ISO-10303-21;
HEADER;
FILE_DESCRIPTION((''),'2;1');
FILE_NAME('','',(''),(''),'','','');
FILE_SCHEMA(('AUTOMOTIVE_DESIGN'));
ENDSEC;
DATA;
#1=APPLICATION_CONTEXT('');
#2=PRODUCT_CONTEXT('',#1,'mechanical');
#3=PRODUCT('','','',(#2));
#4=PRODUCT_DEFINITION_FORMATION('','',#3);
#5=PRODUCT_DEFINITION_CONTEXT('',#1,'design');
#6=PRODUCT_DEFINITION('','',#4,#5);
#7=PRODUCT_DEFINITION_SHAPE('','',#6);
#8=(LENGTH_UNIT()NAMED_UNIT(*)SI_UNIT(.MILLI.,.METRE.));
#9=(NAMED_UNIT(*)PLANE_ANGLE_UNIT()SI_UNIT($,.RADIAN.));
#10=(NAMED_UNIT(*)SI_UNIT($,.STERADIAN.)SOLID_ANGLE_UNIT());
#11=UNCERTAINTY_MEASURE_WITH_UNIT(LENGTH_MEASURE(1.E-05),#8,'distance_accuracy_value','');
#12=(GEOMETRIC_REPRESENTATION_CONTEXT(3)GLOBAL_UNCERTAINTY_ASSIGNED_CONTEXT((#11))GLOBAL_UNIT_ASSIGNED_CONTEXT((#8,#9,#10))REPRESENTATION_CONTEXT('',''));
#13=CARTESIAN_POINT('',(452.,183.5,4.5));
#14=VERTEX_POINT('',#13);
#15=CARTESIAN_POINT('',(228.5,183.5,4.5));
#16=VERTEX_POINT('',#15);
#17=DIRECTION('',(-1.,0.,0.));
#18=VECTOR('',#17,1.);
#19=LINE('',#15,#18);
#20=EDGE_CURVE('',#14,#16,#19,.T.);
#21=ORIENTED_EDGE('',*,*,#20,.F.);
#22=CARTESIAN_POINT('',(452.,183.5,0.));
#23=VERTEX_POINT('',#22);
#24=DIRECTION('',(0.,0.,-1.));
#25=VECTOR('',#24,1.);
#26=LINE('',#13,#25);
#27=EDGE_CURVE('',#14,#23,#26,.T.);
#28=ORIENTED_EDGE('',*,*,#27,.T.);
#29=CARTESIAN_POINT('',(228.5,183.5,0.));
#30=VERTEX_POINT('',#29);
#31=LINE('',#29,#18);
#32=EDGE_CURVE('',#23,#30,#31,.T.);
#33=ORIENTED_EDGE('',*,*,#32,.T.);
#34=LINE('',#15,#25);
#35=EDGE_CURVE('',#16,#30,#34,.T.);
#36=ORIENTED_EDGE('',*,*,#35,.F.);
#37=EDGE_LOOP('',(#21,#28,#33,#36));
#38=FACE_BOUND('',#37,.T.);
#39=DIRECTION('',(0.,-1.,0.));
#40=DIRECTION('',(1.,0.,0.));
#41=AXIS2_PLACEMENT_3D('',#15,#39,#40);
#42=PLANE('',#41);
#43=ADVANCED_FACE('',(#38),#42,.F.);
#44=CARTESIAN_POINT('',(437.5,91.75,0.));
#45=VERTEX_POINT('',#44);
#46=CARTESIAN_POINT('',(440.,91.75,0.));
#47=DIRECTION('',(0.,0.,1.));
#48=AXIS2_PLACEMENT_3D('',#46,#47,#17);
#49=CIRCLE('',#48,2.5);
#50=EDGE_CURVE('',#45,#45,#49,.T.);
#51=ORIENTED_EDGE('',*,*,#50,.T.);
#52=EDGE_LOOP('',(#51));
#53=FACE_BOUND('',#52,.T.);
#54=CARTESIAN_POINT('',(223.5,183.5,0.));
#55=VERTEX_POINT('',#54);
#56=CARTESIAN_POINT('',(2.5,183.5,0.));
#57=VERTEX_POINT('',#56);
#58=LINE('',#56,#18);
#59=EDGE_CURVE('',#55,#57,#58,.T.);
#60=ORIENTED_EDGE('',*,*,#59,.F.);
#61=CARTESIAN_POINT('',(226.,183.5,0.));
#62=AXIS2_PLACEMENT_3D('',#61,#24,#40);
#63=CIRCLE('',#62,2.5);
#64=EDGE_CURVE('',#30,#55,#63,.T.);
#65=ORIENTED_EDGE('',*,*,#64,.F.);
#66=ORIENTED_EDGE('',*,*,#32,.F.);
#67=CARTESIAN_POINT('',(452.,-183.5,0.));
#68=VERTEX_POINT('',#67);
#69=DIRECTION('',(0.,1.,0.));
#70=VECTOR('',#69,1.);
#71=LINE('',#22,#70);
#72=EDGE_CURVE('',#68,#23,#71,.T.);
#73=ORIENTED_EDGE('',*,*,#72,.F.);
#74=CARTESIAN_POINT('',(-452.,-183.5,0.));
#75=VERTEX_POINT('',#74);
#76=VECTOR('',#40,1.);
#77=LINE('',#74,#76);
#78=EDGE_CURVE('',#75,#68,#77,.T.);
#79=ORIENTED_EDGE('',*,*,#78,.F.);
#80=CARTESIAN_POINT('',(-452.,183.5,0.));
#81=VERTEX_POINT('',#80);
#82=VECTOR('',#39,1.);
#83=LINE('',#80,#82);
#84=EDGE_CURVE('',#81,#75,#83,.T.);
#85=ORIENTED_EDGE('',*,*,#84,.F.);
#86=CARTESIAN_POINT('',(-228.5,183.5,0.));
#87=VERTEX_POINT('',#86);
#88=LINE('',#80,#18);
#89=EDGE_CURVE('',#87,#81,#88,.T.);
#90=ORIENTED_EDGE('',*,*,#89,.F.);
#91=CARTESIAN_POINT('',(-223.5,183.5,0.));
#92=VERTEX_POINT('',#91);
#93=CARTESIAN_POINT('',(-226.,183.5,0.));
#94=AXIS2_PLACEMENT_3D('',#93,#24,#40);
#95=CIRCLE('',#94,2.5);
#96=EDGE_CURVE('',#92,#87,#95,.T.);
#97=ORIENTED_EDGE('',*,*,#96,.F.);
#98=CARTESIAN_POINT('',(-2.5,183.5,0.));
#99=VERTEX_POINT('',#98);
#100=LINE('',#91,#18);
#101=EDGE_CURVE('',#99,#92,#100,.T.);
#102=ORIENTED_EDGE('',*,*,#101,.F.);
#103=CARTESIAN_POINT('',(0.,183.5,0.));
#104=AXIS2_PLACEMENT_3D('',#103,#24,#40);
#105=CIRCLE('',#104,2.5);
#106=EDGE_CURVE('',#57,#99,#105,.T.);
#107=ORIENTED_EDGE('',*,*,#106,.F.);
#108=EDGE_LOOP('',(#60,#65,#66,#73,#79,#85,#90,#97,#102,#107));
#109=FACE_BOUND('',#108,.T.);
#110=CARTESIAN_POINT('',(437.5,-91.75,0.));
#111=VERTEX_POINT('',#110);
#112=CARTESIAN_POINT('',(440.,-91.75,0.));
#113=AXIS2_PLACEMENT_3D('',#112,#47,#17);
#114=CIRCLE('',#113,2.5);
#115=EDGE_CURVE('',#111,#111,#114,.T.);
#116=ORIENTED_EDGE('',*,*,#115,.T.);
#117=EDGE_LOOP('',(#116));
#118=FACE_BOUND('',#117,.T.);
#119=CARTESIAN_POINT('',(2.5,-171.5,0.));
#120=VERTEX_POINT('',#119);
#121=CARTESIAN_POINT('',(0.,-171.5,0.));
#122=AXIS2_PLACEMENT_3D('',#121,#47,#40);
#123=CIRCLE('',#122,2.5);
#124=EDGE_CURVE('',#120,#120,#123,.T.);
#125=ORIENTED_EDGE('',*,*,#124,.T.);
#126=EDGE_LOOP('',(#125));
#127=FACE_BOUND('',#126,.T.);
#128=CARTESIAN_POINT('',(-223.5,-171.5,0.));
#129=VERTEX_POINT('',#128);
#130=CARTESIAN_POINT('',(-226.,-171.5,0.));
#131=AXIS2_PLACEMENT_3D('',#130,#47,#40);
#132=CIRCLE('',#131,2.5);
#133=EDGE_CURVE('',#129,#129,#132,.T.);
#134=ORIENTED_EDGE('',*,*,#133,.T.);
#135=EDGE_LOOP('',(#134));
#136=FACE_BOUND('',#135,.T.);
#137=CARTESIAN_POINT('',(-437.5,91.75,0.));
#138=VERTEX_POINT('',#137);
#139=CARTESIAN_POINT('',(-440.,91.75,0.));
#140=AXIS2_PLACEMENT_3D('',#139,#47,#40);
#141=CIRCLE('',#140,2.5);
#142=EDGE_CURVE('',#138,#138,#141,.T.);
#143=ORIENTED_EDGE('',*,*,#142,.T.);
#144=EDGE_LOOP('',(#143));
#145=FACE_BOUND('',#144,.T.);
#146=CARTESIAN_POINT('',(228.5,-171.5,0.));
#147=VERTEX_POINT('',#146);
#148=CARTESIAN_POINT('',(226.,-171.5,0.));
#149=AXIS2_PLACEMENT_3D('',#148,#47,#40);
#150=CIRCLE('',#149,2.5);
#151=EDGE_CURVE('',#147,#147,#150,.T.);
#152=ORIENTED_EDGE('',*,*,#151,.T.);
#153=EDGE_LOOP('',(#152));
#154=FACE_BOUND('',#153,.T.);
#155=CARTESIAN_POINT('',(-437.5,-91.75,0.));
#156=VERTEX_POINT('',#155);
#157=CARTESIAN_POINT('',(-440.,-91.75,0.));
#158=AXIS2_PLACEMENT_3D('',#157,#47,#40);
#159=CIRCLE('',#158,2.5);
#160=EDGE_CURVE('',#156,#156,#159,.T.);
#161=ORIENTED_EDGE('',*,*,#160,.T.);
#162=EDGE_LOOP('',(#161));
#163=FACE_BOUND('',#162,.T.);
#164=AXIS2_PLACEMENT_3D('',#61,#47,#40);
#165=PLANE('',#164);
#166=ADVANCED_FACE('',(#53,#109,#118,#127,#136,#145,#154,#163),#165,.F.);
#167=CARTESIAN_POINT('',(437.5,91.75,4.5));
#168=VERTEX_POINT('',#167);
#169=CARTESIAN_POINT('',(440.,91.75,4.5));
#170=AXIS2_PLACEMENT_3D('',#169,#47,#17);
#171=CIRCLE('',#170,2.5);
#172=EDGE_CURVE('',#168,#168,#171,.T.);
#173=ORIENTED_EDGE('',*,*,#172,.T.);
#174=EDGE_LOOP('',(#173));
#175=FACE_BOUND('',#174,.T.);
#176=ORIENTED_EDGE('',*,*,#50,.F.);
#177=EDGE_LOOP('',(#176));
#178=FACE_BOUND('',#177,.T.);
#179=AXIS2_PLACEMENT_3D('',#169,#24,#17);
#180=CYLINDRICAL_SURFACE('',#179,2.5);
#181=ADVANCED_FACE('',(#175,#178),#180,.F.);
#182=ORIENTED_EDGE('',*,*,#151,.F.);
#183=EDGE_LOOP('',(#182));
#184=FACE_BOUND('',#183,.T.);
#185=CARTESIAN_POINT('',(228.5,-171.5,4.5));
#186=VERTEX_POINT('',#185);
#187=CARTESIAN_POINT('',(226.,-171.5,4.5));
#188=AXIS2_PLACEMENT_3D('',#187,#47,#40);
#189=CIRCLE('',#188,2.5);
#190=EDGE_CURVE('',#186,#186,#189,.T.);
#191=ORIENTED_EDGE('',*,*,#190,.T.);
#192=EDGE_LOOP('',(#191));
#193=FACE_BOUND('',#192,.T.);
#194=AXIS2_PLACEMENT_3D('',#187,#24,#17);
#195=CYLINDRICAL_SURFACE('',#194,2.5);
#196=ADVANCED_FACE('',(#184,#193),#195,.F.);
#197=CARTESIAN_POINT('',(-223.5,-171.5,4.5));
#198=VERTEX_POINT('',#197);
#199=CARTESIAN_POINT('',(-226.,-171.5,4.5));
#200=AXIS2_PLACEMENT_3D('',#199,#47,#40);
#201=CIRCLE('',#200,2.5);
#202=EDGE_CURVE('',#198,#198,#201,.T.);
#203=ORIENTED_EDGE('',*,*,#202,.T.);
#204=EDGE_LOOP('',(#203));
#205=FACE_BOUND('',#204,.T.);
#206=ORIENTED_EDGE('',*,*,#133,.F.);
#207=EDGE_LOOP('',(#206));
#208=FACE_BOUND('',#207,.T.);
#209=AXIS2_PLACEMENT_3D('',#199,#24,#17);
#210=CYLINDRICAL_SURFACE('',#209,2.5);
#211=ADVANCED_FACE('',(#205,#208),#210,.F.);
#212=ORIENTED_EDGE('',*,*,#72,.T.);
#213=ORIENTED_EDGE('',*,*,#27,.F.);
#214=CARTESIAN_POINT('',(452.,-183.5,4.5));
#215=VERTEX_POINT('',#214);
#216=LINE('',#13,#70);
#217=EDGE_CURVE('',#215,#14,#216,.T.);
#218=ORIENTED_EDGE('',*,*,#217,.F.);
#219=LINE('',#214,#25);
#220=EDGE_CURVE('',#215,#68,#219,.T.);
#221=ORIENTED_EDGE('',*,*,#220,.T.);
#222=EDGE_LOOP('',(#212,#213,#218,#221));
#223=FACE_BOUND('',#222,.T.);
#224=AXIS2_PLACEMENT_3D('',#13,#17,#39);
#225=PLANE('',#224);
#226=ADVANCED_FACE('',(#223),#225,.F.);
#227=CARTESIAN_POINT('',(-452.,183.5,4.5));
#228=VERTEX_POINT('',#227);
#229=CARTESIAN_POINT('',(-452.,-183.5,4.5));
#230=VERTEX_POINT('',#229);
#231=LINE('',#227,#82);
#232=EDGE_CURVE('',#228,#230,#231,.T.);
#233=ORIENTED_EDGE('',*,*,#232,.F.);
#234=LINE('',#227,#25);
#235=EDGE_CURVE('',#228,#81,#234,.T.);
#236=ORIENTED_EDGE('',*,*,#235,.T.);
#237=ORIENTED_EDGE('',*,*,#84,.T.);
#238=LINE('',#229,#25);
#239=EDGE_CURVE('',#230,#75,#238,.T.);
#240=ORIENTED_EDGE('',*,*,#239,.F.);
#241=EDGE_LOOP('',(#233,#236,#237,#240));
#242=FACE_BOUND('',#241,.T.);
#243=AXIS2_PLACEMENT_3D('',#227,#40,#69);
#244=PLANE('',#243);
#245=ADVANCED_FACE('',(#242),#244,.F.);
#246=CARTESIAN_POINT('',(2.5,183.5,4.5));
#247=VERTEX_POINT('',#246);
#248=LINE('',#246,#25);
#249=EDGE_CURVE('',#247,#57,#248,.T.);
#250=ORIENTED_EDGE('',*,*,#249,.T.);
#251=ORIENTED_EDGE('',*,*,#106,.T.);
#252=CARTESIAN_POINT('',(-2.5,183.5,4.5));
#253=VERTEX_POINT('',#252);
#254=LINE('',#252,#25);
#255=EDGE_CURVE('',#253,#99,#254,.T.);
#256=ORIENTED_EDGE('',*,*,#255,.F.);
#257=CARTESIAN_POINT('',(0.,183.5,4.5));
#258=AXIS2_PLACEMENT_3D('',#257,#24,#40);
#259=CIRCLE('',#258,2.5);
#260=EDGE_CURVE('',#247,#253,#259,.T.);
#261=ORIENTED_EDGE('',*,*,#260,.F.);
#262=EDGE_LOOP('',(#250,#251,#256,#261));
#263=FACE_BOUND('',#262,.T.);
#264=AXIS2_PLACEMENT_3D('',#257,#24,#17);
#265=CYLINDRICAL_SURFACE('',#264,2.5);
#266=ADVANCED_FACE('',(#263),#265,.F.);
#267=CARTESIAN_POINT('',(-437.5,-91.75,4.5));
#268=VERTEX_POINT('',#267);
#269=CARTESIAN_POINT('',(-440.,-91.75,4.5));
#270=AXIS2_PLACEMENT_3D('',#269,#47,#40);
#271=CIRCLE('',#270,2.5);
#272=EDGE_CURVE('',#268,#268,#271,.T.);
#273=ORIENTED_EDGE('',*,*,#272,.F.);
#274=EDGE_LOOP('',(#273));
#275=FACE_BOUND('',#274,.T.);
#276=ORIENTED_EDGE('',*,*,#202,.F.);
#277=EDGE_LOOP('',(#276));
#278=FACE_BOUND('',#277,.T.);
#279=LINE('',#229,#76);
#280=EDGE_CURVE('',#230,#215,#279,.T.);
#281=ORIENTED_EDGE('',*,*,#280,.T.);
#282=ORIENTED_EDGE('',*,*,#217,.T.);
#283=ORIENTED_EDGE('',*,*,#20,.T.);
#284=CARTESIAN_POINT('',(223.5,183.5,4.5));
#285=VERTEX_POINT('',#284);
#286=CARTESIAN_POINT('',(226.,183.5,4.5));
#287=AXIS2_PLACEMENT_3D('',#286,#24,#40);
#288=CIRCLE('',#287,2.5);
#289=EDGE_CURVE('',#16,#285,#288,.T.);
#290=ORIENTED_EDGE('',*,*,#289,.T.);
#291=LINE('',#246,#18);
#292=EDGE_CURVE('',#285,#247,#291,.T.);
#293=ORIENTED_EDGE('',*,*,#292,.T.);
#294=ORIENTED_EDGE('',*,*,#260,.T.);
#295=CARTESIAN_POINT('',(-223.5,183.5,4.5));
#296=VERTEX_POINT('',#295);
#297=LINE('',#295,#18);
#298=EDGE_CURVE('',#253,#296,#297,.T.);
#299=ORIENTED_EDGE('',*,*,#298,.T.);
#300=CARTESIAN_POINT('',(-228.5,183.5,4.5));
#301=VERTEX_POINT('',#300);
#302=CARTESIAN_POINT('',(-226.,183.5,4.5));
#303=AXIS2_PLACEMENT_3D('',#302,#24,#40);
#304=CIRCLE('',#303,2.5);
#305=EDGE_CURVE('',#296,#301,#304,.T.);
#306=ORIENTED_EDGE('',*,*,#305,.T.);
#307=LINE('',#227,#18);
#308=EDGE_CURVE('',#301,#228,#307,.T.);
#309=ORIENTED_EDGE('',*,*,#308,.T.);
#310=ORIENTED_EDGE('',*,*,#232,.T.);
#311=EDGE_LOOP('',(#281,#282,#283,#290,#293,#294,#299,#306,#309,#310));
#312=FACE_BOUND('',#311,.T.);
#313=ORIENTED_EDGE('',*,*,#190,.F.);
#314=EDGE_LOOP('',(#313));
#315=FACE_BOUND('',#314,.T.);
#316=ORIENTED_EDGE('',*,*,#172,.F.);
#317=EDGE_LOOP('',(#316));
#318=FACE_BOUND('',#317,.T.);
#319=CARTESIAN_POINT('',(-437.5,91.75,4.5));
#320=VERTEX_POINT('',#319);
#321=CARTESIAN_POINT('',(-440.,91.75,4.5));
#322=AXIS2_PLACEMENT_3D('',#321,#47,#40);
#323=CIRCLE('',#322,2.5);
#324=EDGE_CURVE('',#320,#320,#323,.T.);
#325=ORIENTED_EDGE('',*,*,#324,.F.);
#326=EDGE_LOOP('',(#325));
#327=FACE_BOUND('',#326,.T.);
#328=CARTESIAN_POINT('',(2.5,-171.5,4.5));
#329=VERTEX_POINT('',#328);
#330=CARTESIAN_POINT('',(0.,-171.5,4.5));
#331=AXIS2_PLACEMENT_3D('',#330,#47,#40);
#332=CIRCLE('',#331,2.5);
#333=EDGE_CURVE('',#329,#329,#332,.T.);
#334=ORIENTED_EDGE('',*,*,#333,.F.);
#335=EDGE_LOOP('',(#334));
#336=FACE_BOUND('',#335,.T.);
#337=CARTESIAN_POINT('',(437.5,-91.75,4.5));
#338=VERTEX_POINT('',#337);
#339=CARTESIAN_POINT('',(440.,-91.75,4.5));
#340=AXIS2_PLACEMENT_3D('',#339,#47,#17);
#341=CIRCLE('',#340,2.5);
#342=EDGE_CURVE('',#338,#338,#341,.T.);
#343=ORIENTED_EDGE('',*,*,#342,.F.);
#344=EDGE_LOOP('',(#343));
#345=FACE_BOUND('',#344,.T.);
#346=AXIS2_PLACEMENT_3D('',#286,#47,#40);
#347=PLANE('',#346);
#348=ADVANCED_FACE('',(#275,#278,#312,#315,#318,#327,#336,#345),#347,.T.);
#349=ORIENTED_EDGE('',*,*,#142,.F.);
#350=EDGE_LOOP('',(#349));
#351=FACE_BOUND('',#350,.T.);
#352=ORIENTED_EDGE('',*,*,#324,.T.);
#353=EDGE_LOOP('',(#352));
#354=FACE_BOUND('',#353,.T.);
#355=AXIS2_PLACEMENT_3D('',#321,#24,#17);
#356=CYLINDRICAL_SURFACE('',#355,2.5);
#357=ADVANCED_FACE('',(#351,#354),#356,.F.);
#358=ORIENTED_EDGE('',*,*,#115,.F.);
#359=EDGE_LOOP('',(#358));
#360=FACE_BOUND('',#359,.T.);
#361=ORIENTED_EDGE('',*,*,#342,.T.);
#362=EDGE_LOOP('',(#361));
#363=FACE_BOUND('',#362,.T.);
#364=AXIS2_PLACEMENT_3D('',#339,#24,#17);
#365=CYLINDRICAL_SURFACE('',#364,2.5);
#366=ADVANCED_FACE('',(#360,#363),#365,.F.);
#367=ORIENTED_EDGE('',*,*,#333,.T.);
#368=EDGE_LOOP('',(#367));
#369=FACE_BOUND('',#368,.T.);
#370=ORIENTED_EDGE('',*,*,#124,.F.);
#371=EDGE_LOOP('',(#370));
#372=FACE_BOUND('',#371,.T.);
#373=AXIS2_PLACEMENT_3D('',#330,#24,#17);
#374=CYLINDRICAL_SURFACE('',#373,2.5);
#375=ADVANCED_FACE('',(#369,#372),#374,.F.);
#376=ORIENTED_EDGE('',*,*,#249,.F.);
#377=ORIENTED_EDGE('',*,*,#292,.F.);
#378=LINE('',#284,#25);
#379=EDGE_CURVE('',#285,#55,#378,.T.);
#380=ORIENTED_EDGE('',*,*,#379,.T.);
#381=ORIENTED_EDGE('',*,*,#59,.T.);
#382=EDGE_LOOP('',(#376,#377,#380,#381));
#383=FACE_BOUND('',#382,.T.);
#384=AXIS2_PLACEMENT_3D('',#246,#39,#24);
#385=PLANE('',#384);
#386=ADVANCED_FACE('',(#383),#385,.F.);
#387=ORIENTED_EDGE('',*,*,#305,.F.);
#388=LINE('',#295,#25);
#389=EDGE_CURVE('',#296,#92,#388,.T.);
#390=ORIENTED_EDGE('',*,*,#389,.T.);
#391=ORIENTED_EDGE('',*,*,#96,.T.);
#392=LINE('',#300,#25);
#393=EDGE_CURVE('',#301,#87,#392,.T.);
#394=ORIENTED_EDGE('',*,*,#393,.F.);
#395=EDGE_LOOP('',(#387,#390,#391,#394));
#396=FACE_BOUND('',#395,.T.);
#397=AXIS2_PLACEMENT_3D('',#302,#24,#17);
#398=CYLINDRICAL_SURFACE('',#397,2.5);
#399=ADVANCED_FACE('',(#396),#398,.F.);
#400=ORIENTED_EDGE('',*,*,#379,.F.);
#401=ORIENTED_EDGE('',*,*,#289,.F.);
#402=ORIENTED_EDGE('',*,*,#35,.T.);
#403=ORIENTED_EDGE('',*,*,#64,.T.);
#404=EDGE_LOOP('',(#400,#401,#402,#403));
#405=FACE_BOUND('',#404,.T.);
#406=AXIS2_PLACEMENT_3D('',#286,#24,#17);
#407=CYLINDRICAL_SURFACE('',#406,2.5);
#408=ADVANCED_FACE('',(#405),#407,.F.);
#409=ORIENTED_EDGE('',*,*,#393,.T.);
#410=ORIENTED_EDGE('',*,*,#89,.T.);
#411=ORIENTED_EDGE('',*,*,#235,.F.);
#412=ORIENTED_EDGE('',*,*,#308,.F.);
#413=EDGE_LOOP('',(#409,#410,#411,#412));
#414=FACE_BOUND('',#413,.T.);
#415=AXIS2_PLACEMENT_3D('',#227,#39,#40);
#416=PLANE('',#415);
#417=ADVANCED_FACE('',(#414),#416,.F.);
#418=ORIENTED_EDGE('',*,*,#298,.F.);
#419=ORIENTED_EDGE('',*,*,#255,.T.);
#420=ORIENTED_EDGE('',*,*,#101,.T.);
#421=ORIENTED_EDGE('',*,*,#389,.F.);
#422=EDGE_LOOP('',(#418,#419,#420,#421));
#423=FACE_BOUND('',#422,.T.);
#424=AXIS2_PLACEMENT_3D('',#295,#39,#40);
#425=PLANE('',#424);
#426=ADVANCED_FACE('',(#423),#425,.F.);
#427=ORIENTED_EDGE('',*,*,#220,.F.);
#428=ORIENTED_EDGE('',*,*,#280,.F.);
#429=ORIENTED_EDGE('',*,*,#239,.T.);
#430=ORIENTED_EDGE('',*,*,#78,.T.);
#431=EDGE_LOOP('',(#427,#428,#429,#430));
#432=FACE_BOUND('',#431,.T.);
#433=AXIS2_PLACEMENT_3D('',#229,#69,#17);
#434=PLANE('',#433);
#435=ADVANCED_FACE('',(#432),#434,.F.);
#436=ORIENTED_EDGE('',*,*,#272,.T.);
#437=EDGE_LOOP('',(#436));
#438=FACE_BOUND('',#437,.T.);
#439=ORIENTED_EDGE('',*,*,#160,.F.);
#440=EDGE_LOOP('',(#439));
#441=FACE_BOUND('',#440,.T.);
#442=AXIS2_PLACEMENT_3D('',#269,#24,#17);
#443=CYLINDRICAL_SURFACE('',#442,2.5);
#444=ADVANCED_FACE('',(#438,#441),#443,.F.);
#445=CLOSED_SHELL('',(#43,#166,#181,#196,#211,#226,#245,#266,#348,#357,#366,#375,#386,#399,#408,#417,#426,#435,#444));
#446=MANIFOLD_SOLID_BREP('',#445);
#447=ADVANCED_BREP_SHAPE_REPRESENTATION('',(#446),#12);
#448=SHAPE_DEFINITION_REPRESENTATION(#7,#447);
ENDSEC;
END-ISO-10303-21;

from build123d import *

# Parameters (mm, degrees)
SKETCH2_R           = 2.5
BOSS_EXTRUDE1_DEPTH = 4.5


with BuildPart() as part:
    # Sketch2 → Boss-Extrude1 (new body)
    with BuildSketch(Plane.XY):
        with BuildLine():
            Line((2.5, 183.5), (223.5, 183.5))
            ThreePointArc((223.5, 183.5), (226, 181), (228.5, 183.5))
            Line((228.5, 183.5), (452, 183.5))
            Line((452, 183.5), (452, -183.5))
            Line((452, -183.5), (-452, -183.5))
            Line((-452, -183.5), (-452, 183.5))
            Line((-452, 183.5), (-228.5, 183.5))
            ThreePointArc((-228.5, 183.5), (-226, 181), (-223.5, 183.5))
            Line((-223.5, 183.5), (-2.5, 183.5))
            ThreePointArc((-2.5, 183.5), (0, 181), (2.5, 183.5))
        make_face()
        with Locations((0, -171.5)):
            Circle(SKETCH2_R, mode=Mode.SUBTRACT)
        with Locations((226, -171.5)):
            Circle(SKETCH2_R, mode=Mode.SUBTRACT)
        with Locations((-226, -171.5)):
            Circle(SKETCH2_R, mode=Mode.SUBTRACT)
        with Locations((-440, 91.75)):
            Circle(SKETCH2_R, mode=Mode.SUBTRACT)
        with Locations((-440, -91.75)):
            Circle(SKETCH2_R, mode=Mode.SUBTRACT)
        with Locations(Location((440, -91.75, 0), (0, 0, 180))):
            Circle(SKETCH2_R, mode=Mode.SUBTRACT)
        with Locations(Location((440, 91.75, 0), (0, 0, 180))):
            Circle(SKETCH2_R, mode=Mode.SUBTRACT)
    extrude(amount=BOSS_EXTRUDE1_DEPTH)


solid = part.part
